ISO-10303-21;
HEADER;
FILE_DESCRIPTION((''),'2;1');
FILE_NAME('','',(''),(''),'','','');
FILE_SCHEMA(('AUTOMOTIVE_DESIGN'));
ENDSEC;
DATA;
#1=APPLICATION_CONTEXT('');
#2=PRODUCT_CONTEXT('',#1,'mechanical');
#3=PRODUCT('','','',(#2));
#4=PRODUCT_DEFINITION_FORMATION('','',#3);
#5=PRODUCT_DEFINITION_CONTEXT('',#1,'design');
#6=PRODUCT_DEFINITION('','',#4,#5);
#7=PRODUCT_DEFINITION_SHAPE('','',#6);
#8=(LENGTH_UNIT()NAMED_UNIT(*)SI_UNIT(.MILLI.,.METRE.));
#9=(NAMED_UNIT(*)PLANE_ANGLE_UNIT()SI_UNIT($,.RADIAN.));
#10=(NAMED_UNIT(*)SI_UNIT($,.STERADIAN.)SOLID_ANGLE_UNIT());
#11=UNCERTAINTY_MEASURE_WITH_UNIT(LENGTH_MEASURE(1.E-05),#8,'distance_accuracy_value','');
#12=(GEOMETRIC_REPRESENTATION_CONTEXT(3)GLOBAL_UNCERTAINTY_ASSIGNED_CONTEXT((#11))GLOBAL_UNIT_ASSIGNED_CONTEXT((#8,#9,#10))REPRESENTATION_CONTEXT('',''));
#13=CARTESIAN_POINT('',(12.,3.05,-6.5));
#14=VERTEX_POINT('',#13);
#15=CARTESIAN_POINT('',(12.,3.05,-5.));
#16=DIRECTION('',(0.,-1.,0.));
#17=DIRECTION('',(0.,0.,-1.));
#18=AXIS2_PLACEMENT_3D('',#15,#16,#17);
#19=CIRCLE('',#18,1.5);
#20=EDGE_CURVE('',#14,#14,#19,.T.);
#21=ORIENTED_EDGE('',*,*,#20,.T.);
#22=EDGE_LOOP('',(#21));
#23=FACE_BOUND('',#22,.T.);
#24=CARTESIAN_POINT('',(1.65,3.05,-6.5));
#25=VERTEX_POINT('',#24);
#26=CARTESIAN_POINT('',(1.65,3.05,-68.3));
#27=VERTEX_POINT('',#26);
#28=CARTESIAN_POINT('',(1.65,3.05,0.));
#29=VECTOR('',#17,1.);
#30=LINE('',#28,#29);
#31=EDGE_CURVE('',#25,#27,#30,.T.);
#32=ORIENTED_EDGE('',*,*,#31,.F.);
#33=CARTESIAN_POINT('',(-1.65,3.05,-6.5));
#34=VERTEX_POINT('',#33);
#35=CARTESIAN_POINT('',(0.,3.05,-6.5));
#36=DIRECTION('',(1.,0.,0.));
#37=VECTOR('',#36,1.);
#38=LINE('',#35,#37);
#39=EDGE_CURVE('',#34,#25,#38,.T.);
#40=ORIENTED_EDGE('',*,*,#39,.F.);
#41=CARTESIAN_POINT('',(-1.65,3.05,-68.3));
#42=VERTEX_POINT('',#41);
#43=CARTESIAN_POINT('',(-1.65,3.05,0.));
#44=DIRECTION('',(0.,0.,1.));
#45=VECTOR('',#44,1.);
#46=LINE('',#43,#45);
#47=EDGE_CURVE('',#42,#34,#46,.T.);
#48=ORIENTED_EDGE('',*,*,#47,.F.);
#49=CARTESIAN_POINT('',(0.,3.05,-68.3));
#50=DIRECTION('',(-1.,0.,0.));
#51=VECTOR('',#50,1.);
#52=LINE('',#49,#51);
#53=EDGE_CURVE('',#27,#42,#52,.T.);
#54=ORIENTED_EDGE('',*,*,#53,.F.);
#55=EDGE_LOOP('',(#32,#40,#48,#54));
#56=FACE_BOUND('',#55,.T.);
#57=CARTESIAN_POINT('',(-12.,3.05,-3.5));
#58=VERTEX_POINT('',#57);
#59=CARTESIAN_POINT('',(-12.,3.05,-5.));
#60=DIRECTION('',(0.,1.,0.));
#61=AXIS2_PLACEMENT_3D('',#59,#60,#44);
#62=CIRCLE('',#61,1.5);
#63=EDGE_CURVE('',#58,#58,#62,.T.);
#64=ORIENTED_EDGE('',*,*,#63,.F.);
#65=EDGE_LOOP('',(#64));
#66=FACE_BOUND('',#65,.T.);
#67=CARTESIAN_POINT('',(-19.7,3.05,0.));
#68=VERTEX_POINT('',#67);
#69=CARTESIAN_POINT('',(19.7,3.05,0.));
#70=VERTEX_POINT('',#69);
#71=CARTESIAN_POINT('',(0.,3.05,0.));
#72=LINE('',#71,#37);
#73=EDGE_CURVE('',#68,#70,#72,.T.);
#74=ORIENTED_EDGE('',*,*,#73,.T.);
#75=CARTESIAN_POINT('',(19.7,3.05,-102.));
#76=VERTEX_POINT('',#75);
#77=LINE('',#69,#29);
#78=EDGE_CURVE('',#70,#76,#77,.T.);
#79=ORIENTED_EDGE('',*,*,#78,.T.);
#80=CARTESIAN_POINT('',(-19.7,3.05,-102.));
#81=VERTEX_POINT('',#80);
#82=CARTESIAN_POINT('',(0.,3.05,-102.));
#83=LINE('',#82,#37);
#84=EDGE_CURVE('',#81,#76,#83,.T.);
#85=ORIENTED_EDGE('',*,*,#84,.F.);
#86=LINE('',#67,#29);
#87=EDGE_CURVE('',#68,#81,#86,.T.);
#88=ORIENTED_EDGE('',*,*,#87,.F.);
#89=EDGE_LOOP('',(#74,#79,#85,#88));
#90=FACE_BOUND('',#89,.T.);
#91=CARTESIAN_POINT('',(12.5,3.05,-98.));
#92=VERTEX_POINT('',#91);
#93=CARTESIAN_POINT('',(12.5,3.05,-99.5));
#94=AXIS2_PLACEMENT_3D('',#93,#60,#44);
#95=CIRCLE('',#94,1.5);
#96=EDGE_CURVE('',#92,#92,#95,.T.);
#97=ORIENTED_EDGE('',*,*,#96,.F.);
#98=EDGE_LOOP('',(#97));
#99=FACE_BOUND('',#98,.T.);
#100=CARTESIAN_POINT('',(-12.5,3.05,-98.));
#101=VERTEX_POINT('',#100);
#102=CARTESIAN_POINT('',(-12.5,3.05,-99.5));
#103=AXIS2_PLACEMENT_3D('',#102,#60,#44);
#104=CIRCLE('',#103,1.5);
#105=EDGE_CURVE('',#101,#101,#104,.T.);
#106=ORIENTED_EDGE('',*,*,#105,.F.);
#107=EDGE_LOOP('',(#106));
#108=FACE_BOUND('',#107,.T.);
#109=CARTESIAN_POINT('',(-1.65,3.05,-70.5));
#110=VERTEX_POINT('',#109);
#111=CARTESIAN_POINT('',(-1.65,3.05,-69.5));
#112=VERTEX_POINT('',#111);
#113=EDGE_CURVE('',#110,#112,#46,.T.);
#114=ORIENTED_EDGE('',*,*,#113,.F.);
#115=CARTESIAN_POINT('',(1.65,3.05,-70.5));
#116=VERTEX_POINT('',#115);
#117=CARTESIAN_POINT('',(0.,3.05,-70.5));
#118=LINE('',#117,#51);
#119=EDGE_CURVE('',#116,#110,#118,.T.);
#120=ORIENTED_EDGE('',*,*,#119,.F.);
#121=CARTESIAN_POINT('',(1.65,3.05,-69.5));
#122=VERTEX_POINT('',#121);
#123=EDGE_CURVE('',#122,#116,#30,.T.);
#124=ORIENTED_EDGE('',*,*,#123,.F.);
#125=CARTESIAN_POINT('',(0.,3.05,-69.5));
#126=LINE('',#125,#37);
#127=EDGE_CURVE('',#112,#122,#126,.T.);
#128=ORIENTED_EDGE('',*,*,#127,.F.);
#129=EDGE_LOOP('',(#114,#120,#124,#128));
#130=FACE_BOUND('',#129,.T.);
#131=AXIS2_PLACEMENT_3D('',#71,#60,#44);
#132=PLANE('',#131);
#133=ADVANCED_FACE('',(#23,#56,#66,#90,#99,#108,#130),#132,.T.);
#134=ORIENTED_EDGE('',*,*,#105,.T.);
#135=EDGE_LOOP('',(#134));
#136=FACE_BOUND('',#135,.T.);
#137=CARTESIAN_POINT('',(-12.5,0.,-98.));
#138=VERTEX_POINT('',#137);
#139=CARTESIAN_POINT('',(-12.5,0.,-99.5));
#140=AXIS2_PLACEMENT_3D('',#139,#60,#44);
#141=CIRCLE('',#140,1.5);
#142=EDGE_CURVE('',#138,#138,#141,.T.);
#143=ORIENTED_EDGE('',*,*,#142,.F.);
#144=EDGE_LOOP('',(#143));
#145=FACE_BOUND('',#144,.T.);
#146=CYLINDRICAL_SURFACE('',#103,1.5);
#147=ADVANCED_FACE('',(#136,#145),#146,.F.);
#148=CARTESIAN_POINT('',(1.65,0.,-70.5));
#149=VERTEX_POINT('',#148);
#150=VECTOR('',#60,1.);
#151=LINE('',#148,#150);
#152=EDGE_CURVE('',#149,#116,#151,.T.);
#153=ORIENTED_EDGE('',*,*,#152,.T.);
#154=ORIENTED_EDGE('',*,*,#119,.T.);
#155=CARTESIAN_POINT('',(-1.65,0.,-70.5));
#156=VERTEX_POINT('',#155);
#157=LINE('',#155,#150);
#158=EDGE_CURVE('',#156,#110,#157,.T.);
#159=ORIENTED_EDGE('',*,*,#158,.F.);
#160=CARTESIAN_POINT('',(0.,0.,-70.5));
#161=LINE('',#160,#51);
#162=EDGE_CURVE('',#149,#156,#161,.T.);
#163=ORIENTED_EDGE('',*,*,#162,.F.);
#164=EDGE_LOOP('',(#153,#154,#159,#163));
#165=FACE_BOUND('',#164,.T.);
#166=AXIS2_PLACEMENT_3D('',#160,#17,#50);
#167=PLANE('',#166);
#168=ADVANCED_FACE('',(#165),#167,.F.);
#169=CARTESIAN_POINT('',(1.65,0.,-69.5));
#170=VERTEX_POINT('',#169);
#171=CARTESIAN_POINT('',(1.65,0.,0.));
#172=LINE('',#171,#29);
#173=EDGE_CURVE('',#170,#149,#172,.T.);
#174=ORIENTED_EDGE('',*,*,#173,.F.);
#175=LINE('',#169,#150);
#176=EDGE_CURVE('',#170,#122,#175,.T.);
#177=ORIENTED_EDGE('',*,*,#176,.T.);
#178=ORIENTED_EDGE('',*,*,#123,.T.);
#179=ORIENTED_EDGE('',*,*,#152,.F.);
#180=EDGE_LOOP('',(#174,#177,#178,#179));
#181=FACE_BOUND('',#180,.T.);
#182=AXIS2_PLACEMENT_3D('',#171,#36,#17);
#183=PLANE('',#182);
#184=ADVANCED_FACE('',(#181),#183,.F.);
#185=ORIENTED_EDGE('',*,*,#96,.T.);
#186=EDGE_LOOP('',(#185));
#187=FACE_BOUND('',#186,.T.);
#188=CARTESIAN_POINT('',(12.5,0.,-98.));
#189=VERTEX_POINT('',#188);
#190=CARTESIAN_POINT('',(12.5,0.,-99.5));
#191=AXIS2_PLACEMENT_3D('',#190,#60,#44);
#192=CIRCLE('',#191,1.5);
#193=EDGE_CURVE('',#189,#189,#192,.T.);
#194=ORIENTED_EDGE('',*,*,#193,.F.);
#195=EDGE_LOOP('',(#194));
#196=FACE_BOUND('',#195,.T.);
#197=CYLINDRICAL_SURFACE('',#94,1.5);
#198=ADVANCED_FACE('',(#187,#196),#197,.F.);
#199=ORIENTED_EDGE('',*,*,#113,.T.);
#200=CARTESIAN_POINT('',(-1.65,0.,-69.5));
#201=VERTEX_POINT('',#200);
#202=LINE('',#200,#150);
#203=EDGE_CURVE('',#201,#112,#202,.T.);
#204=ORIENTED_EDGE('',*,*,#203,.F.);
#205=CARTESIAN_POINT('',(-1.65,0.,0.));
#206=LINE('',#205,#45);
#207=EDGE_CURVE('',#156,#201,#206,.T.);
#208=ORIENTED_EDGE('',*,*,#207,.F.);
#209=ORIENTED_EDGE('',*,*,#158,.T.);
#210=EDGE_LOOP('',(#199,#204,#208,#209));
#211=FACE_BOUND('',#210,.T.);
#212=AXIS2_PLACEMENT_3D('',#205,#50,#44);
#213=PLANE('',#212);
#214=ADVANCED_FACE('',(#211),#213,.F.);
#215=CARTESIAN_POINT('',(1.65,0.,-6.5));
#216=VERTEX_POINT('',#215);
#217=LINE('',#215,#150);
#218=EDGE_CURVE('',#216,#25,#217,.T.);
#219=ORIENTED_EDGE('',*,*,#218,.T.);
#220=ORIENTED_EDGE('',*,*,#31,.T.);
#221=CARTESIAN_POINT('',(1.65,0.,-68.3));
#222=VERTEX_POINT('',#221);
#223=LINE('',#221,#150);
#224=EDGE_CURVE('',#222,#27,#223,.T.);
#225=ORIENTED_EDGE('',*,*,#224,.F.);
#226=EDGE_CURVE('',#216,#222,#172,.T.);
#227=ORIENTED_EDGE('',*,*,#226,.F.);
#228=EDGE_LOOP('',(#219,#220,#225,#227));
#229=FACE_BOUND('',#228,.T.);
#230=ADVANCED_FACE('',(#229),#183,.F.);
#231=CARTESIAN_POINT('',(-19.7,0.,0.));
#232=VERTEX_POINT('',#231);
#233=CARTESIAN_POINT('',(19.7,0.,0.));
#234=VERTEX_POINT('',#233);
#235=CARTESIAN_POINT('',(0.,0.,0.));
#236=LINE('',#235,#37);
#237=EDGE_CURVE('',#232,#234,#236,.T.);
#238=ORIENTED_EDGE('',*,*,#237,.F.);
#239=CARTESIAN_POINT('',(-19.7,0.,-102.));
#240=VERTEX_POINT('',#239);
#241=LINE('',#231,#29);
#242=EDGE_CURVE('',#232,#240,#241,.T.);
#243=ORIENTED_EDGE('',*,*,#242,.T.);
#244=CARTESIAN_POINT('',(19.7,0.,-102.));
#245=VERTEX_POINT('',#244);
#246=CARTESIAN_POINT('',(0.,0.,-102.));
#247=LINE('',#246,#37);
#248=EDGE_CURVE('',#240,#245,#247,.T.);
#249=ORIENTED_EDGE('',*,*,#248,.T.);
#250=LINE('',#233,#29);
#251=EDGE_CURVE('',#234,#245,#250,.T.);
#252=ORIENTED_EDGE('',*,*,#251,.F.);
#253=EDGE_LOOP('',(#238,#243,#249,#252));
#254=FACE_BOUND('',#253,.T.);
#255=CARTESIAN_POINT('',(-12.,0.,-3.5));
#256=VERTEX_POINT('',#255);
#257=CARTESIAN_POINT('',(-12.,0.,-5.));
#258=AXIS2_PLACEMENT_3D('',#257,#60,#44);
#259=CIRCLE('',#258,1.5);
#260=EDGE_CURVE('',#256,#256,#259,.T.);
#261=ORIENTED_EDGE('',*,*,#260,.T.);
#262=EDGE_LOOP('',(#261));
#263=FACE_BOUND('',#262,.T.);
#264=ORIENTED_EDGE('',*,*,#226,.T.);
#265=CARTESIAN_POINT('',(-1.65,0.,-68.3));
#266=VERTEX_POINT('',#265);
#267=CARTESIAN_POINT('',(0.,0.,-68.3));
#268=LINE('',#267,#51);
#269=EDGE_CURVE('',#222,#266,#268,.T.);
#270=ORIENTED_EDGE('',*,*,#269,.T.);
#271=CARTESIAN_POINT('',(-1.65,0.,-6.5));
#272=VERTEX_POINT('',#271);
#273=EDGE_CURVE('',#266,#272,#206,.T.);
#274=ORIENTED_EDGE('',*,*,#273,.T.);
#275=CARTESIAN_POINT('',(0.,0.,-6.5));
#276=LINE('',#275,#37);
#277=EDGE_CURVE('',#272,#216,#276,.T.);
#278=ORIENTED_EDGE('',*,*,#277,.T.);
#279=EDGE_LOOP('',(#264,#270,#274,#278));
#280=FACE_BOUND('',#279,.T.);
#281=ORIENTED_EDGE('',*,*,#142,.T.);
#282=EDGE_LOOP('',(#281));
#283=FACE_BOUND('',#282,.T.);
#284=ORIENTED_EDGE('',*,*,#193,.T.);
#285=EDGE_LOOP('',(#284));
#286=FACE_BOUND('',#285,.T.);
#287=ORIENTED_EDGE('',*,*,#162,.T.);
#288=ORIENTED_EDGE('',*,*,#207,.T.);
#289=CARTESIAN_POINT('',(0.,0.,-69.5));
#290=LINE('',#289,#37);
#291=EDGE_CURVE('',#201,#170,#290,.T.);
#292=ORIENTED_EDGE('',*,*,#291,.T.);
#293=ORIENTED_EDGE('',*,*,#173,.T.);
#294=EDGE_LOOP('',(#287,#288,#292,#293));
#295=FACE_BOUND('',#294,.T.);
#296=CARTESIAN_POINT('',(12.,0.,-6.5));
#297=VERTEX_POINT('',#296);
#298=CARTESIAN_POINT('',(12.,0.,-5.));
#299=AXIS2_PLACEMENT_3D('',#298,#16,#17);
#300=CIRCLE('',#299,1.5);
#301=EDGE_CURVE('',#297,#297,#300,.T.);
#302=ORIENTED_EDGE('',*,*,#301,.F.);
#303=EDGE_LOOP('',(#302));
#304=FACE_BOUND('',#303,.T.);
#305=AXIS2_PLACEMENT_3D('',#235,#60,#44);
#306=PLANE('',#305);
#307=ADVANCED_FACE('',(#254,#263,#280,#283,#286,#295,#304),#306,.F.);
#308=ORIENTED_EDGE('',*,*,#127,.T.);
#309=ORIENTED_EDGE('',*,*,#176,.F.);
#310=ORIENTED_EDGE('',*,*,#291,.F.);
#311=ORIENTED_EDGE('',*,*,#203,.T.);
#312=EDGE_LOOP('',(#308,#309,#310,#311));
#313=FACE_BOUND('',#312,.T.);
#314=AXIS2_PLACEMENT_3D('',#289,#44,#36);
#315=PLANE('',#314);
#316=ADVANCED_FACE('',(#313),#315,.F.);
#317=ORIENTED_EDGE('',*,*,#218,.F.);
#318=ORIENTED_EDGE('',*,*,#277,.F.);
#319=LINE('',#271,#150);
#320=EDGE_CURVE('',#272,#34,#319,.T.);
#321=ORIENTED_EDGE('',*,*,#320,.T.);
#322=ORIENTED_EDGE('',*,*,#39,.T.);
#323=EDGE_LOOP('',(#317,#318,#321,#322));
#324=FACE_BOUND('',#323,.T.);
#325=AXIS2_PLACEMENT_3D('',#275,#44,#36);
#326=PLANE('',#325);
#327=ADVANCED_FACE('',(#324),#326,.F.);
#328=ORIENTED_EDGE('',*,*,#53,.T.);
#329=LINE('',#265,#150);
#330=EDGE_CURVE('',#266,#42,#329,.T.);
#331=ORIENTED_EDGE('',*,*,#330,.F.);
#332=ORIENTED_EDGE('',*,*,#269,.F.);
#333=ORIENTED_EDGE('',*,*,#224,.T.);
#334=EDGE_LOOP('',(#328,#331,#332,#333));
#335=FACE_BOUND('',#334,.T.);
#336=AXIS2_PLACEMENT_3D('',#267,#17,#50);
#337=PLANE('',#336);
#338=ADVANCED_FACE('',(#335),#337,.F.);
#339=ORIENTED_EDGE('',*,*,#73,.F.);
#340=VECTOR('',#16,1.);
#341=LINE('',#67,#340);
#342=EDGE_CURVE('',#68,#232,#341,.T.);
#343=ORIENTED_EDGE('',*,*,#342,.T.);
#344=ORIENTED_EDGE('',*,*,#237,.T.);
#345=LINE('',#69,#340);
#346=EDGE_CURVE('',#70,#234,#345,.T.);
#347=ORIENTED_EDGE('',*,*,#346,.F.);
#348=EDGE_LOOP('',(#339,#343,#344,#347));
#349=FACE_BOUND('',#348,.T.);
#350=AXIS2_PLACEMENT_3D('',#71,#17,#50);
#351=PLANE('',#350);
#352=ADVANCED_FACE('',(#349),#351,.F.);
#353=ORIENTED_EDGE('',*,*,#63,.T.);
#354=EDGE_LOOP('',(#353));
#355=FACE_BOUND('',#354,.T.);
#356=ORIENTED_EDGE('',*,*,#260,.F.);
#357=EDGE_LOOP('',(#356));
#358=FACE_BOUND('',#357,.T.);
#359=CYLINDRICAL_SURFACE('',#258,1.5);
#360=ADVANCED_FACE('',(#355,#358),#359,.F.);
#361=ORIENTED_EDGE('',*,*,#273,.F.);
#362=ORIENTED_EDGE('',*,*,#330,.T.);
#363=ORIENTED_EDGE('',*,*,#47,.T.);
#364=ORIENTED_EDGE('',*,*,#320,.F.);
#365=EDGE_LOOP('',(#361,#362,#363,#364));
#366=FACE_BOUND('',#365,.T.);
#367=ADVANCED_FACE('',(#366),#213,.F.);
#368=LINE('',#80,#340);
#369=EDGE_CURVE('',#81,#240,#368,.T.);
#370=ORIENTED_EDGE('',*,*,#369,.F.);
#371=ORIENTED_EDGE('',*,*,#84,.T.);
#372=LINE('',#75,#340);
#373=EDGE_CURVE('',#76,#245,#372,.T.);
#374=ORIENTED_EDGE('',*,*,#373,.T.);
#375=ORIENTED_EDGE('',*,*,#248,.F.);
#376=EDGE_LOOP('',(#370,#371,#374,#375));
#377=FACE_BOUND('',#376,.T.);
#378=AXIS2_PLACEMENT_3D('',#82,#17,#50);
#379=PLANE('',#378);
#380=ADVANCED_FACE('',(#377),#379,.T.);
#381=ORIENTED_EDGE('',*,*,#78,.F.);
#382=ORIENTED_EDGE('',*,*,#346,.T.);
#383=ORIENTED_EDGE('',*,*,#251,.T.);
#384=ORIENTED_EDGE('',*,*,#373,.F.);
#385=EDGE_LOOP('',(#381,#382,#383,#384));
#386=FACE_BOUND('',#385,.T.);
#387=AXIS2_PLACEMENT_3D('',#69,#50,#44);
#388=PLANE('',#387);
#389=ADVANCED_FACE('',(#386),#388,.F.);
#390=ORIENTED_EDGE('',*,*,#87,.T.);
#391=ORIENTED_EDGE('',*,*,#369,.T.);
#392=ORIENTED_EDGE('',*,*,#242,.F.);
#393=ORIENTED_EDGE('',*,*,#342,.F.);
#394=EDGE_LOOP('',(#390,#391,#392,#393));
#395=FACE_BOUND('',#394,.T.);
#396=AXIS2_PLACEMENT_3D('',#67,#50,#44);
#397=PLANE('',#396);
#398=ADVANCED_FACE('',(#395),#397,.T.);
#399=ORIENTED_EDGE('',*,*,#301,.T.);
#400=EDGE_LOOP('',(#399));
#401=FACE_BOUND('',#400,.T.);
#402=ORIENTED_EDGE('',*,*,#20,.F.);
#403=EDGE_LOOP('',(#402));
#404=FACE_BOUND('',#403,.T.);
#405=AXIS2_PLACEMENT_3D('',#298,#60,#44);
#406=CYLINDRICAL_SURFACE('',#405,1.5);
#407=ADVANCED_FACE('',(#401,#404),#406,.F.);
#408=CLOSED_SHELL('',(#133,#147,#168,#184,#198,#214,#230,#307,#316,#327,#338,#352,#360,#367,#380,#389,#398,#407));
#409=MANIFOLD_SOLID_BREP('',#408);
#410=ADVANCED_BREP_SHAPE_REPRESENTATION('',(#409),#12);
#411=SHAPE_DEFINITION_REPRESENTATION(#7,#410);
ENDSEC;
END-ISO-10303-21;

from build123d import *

# Parameters (mm, degrees)
SKETCH1_W             = 39.4
SKETCH1_H             = 102
BOSS_EXTRUDE1_DEPTH   = 3.05
SKETCH4_W             = 1.65
SKETCH4_H             = 1
SKETCH4_H_2           = 61.8
CUT_EXTRUDE1_DEPTH    = 104.929747907
SKETCH7_R             = 1.5
CUT_EXTRUDE4_DEPTH    = 104.929747907
F_3_0MM_DOWEL_HOLE1_D = 3


with BuildPart() as part:
    # Sketch1 → Boss-Extrude1 (new body)
    with BuildSketch(Plane(origin=(0, 0, 0), x_dir=(1, 0, 0), z_dir=(0, 1, 0))):
        with Locations((0, 51)):
            Rectangle(SKETCH1_W, SKETCH1_H)
    extrude(amount=BOSS_EXTRUDE1_DEPTH)

    # Sketch4 → Cut-Extrude1 (cut, through all)
    with BuildSketch(Plane(origin=(0, 3.05, 0), x_dir=(1, 0, 0), z_dir=(0, 1, 0))):
        with Locations((-0.825, 70)):
            Rectangle(SKETCH4_W, SKETCH4_H)
        with Locations((-0.825, 37.4)):
            Rectangle(SKETCH4_W, SKETCH4_H_2)
        with Locations((0.825, 37.4)):
            Rectangle(SKETCH4_W, SKETCH4_H_2)
        with Locations((0.825, 70)):
            Rectangle(SKETCH4_W, SKETCH4_H)
    extrude(amount=-CUT_EXTRUDE1_DEPTH, mode=Mode.SUBTRACT)

    # Sketch7 → Cut-Extrude4 (cut, through all)
    with BuildSketch(Plane(origin=(0, 3.05, 0), x_dir=(1, 0, 0), z_dir=(0, 1, 0))):
        with Locations(Location((-12, 5, 0), (0, 0, 270))):
            Circle(SKETCH7_R)
        with Locations(Location((12, 5, 0), (0, 0, 90))):
            Circle(SKETCH7_R)
    extrude(amount=-CUT_EXTRUDE4_DEPTH, mode=Mode.SUBTRACT)

    # Ø3.0mm Dowel Hole1 (through all)
    with Locations(Plane(origin=(0, 3.05, 0), x_dir=(1, 0, 0), z_dir=(0, 1, 0))):
        with Locations((-12.5, 99.5), (12.5, 99.5)):
            Hole(F_3_0MM_DOWEL_HOLE1_D / 2)


solid = part.part
